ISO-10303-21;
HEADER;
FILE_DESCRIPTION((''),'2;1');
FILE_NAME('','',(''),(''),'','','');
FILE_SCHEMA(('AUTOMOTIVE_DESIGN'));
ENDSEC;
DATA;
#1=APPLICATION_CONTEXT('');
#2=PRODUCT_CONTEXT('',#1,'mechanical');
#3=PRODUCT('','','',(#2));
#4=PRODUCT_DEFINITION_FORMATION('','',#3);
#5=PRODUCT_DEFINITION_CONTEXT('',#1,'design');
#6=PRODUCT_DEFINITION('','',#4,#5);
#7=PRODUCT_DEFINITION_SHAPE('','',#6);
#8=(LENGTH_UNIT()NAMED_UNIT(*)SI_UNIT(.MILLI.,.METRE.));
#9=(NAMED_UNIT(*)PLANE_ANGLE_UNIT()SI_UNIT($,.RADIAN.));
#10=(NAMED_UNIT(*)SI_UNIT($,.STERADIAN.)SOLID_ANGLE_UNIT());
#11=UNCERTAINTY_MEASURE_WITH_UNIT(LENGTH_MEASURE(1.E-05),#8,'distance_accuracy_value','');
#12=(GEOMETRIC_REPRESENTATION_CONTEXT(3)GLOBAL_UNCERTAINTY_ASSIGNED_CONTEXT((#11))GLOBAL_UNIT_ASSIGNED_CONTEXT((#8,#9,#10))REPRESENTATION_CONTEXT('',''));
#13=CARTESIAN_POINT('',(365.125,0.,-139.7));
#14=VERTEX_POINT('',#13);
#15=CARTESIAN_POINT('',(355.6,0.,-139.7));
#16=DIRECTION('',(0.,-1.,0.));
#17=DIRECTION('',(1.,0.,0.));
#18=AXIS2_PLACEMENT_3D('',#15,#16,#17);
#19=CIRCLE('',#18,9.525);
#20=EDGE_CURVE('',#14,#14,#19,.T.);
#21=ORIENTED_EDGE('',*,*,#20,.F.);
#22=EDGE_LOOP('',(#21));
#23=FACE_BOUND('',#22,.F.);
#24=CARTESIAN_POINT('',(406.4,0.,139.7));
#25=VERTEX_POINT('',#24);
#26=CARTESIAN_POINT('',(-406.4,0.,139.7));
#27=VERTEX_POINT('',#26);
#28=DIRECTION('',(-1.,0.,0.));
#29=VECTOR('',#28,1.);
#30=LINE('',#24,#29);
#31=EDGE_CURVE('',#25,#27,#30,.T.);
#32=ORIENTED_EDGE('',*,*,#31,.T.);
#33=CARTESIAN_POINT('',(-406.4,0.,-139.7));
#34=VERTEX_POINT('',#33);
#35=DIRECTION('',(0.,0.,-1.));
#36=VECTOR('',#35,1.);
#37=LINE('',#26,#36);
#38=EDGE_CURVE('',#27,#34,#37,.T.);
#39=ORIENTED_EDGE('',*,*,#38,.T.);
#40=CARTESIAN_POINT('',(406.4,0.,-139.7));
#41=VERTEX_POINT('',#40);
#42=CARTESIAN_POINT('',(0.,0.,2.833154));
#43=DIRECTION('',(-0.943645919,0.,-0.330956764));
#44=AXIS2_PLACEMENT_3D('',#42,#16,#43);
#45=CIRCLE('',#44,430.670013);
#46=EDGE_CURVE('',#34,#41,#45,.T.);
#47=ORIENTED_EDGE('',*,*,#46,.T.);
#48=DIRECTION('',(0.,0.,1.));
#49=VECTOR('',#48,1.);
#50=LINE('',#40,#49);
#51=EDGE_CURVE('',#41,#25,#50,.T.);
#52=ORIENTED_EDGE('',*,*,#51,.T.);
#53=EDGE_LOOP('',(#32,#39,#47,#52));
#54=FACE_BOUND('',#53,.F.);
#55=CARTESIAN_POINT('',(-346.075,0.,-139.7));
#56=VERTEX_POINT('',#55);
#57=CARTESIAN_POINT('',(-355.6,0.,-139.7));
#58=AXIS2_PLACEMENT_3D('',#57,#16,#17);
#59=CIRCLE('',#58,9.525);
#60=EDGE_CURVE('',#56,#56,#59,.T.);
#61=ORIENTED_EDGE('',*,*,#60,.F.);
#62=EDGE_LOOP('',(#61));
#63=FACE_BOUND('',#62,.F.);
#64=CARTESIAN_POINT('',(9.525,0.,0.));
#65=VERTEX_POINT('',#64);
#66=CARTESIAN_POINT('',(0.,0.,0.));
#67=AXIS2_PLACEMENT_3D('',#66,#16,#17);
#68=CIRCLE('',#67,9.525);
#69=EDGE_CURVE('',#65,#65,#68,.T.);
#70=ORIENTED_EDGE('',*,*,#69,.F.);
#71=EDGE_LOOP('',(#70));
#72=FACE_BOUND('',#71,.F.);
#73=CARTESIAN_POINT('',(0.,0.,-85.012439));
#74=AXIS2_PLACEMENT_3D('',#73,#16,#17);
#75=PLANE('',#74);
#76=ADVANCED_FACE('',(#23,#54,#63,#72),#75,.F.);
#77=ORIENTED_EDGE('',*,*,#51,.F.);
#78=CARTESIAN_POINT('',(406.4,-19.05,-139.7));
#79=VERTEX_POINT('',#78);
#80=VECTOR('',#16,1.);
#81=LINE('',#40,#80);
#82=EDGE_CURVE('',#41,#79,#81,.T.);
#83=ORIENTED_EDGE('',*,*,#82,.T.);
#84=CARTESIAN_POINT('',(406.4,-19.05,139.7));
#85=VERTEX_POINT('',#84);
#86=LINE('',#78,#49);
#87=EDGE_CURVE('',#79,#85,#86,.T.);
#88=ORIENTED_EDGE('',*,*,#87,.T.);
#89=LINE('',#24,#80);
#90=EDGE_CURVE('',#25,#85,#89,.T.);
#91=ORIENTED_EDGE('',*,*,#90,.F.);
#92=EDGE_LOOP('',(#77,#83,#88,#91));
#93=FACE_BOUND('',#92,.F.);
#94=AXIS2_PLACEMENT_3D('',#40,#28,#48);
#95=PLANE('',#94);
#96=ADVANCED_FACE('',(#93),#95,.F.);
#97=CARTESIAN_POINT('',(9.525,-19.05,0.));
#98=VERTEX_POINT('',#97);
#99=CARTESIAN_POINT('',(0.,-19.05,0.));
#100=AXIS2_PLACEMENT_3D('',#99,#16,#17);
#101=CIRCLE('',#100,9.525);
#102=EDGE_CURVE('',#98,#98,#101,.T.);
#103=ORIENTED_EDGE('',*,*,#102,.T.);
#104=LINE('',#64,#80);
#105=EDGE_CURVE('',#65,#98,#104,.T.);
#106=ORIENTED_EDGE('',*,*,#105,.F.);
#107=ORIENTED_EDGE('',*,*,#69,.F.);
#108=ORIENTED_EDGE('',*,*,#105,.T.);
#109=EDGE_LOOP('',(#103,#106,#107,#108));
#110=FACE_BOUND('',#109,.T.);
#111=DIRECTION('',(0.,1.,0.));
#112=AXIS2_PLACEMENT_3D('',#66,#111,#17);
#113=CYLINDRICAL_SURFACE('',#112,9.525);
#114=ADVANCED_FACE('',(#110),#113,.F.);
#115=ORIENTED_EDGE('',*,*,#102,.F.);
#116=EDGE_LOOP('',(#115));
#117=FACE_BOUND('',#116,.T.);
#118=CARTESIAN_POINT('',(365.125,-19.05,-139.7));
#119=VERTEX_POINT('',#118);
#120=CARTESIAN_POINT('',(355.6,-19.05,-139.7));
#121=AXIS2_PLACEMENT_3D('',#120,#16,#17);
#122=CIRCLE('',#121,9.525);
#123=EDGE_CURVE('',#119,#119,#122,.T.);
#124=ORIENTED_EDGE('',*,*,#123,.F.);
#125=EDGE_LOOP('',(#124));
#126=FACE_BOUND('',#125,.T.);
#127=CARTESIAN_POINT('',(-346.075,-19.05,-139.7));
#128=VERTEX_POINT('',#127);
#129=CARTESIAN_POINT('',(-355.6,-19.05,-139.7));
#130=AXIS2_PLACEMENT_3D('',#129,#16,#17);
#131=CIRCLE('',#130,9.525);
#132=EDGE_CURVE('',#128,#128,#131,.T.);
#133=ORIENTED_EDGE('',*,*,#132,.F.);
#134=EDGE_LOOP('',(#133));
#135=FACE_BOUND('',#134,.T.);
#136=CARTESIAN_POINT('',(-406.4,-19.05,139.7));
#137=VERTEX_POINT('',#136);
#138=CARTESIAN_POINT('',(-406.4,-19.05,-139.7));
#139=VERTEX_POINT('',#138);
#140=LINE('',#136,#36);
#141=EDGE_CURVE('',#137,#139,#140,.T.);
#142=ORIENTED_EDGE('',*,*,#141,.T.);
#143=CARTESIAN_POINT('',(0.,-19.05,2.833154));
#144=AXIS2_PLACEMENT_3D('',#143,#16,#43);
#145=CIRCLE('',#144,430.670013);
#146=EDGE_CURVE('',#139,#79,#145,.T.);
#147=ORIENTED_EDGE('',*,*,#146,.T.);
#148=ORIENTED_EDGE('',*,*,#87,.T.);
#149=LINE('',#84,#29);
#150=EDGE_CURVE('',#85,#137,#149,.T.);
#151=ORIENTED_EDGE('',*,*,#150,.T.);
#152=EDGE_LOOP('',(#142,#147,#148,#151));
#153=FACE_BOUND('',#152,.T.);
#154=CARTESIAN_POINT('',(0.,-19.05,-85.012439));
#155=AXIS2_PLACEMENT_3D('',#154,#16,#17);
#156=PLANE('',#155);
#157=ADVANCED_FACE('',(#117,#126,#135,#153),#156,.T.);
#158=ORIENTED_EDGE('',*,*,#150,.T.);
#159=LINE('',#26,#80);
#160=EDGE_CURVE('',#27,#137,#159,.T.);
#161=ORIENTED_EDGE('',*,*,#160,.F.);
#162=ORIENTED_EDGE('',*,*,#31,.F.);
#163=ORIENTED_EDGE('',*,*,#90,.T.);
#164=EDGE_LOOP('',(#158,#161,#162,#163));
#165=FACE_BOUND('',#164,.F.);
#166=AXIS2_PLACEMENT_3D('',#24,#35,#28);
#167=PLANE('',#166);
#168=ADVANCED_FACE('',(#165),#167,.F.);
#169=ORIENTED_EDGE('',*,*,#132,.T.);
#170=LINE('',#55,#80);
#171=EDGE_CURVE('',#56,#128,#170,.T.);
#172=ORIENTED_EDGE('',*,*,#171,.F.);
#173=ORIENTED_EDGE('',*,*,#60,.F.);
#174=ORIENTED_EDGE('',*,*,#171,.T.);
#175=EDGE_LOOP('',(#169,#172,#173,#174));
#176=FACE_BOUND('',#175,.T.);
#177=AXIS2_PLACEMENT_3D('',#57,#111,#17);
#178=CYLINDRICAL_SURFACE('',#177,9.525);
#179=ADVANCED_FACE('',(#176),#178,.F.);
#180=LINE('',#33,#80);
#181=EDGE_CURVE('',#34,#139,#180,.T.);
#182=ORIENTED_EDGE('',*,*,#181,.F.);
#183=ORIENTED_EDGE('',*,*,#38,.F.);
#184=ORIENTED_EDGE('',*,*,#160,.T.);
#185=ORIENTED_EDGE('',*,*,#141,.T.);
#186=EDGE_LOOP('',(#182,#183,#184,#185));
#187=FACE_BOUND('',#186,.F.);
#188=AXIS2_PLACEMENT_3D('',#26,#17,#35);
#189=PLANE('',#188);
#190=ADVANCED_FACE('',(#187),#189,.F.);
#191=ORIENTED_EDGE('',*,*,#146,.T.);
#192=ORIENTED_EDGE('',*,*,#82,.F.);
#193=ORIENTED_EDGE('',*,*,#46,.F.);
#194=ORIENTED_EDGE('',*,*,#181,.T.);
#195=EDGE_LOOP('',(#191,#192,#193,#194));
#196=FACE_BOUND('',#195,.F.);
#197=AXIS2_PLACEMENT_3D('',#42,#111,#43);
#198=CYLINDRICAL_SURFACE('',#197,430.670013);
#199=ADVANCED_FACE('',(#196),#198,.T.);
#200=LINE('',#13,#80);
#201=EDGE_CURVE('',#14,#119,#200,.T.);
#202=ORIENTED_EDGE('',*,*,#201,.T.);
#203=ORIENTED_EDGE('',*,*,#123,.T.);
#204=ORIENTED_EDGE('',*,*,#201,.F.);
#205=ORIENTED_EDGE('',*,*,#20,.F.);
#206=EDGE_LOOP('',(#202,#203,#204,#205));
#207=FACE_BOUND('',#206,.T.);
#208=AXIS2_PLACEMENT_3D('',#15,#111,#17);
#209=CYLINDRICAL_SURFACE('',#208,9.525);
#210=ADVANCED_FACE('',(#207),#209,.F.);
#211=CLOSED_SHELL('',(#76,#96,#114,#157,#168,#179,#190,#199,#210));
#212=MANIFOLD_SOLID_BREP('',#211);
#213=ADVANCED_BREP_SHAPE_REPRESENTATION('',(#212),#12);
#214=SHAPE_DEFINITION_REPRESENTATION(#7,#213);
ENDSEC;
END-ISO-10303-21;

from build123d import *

# Parameters (mm, degrees)
F0_R     = 9.525
F1_DEPTH = 19.05


with BuildPart() as f1:
    # F0 (on Front) → F1 (new body)
    with BuildSketch(Plane.XZ):
        with BuildLine():
            Line((406.4, 139.7), (-406.4, 139.7))
            Line((-406.4, 139.7), (-406.4, -139.7))
            ThreePointArc((-406.4, -139.7), (0, -427.836859), (406.4, -139.7))
            Line((406.4, -139.7), (406.4, 139.7))
        make_face()
        with Locations((-355.6, -139.7)):
            Circle(F0_R, mode=Mode.SUBTRACT)
        Circle(F0_R, mode=Mode.SUBTRACT)
        with Locations((355.6, -139.7)):
            Circle(F0_R, mode=Mode.SUBTRACT)
    extrude(amount=F1_DEPTH)


solid = f1.part
